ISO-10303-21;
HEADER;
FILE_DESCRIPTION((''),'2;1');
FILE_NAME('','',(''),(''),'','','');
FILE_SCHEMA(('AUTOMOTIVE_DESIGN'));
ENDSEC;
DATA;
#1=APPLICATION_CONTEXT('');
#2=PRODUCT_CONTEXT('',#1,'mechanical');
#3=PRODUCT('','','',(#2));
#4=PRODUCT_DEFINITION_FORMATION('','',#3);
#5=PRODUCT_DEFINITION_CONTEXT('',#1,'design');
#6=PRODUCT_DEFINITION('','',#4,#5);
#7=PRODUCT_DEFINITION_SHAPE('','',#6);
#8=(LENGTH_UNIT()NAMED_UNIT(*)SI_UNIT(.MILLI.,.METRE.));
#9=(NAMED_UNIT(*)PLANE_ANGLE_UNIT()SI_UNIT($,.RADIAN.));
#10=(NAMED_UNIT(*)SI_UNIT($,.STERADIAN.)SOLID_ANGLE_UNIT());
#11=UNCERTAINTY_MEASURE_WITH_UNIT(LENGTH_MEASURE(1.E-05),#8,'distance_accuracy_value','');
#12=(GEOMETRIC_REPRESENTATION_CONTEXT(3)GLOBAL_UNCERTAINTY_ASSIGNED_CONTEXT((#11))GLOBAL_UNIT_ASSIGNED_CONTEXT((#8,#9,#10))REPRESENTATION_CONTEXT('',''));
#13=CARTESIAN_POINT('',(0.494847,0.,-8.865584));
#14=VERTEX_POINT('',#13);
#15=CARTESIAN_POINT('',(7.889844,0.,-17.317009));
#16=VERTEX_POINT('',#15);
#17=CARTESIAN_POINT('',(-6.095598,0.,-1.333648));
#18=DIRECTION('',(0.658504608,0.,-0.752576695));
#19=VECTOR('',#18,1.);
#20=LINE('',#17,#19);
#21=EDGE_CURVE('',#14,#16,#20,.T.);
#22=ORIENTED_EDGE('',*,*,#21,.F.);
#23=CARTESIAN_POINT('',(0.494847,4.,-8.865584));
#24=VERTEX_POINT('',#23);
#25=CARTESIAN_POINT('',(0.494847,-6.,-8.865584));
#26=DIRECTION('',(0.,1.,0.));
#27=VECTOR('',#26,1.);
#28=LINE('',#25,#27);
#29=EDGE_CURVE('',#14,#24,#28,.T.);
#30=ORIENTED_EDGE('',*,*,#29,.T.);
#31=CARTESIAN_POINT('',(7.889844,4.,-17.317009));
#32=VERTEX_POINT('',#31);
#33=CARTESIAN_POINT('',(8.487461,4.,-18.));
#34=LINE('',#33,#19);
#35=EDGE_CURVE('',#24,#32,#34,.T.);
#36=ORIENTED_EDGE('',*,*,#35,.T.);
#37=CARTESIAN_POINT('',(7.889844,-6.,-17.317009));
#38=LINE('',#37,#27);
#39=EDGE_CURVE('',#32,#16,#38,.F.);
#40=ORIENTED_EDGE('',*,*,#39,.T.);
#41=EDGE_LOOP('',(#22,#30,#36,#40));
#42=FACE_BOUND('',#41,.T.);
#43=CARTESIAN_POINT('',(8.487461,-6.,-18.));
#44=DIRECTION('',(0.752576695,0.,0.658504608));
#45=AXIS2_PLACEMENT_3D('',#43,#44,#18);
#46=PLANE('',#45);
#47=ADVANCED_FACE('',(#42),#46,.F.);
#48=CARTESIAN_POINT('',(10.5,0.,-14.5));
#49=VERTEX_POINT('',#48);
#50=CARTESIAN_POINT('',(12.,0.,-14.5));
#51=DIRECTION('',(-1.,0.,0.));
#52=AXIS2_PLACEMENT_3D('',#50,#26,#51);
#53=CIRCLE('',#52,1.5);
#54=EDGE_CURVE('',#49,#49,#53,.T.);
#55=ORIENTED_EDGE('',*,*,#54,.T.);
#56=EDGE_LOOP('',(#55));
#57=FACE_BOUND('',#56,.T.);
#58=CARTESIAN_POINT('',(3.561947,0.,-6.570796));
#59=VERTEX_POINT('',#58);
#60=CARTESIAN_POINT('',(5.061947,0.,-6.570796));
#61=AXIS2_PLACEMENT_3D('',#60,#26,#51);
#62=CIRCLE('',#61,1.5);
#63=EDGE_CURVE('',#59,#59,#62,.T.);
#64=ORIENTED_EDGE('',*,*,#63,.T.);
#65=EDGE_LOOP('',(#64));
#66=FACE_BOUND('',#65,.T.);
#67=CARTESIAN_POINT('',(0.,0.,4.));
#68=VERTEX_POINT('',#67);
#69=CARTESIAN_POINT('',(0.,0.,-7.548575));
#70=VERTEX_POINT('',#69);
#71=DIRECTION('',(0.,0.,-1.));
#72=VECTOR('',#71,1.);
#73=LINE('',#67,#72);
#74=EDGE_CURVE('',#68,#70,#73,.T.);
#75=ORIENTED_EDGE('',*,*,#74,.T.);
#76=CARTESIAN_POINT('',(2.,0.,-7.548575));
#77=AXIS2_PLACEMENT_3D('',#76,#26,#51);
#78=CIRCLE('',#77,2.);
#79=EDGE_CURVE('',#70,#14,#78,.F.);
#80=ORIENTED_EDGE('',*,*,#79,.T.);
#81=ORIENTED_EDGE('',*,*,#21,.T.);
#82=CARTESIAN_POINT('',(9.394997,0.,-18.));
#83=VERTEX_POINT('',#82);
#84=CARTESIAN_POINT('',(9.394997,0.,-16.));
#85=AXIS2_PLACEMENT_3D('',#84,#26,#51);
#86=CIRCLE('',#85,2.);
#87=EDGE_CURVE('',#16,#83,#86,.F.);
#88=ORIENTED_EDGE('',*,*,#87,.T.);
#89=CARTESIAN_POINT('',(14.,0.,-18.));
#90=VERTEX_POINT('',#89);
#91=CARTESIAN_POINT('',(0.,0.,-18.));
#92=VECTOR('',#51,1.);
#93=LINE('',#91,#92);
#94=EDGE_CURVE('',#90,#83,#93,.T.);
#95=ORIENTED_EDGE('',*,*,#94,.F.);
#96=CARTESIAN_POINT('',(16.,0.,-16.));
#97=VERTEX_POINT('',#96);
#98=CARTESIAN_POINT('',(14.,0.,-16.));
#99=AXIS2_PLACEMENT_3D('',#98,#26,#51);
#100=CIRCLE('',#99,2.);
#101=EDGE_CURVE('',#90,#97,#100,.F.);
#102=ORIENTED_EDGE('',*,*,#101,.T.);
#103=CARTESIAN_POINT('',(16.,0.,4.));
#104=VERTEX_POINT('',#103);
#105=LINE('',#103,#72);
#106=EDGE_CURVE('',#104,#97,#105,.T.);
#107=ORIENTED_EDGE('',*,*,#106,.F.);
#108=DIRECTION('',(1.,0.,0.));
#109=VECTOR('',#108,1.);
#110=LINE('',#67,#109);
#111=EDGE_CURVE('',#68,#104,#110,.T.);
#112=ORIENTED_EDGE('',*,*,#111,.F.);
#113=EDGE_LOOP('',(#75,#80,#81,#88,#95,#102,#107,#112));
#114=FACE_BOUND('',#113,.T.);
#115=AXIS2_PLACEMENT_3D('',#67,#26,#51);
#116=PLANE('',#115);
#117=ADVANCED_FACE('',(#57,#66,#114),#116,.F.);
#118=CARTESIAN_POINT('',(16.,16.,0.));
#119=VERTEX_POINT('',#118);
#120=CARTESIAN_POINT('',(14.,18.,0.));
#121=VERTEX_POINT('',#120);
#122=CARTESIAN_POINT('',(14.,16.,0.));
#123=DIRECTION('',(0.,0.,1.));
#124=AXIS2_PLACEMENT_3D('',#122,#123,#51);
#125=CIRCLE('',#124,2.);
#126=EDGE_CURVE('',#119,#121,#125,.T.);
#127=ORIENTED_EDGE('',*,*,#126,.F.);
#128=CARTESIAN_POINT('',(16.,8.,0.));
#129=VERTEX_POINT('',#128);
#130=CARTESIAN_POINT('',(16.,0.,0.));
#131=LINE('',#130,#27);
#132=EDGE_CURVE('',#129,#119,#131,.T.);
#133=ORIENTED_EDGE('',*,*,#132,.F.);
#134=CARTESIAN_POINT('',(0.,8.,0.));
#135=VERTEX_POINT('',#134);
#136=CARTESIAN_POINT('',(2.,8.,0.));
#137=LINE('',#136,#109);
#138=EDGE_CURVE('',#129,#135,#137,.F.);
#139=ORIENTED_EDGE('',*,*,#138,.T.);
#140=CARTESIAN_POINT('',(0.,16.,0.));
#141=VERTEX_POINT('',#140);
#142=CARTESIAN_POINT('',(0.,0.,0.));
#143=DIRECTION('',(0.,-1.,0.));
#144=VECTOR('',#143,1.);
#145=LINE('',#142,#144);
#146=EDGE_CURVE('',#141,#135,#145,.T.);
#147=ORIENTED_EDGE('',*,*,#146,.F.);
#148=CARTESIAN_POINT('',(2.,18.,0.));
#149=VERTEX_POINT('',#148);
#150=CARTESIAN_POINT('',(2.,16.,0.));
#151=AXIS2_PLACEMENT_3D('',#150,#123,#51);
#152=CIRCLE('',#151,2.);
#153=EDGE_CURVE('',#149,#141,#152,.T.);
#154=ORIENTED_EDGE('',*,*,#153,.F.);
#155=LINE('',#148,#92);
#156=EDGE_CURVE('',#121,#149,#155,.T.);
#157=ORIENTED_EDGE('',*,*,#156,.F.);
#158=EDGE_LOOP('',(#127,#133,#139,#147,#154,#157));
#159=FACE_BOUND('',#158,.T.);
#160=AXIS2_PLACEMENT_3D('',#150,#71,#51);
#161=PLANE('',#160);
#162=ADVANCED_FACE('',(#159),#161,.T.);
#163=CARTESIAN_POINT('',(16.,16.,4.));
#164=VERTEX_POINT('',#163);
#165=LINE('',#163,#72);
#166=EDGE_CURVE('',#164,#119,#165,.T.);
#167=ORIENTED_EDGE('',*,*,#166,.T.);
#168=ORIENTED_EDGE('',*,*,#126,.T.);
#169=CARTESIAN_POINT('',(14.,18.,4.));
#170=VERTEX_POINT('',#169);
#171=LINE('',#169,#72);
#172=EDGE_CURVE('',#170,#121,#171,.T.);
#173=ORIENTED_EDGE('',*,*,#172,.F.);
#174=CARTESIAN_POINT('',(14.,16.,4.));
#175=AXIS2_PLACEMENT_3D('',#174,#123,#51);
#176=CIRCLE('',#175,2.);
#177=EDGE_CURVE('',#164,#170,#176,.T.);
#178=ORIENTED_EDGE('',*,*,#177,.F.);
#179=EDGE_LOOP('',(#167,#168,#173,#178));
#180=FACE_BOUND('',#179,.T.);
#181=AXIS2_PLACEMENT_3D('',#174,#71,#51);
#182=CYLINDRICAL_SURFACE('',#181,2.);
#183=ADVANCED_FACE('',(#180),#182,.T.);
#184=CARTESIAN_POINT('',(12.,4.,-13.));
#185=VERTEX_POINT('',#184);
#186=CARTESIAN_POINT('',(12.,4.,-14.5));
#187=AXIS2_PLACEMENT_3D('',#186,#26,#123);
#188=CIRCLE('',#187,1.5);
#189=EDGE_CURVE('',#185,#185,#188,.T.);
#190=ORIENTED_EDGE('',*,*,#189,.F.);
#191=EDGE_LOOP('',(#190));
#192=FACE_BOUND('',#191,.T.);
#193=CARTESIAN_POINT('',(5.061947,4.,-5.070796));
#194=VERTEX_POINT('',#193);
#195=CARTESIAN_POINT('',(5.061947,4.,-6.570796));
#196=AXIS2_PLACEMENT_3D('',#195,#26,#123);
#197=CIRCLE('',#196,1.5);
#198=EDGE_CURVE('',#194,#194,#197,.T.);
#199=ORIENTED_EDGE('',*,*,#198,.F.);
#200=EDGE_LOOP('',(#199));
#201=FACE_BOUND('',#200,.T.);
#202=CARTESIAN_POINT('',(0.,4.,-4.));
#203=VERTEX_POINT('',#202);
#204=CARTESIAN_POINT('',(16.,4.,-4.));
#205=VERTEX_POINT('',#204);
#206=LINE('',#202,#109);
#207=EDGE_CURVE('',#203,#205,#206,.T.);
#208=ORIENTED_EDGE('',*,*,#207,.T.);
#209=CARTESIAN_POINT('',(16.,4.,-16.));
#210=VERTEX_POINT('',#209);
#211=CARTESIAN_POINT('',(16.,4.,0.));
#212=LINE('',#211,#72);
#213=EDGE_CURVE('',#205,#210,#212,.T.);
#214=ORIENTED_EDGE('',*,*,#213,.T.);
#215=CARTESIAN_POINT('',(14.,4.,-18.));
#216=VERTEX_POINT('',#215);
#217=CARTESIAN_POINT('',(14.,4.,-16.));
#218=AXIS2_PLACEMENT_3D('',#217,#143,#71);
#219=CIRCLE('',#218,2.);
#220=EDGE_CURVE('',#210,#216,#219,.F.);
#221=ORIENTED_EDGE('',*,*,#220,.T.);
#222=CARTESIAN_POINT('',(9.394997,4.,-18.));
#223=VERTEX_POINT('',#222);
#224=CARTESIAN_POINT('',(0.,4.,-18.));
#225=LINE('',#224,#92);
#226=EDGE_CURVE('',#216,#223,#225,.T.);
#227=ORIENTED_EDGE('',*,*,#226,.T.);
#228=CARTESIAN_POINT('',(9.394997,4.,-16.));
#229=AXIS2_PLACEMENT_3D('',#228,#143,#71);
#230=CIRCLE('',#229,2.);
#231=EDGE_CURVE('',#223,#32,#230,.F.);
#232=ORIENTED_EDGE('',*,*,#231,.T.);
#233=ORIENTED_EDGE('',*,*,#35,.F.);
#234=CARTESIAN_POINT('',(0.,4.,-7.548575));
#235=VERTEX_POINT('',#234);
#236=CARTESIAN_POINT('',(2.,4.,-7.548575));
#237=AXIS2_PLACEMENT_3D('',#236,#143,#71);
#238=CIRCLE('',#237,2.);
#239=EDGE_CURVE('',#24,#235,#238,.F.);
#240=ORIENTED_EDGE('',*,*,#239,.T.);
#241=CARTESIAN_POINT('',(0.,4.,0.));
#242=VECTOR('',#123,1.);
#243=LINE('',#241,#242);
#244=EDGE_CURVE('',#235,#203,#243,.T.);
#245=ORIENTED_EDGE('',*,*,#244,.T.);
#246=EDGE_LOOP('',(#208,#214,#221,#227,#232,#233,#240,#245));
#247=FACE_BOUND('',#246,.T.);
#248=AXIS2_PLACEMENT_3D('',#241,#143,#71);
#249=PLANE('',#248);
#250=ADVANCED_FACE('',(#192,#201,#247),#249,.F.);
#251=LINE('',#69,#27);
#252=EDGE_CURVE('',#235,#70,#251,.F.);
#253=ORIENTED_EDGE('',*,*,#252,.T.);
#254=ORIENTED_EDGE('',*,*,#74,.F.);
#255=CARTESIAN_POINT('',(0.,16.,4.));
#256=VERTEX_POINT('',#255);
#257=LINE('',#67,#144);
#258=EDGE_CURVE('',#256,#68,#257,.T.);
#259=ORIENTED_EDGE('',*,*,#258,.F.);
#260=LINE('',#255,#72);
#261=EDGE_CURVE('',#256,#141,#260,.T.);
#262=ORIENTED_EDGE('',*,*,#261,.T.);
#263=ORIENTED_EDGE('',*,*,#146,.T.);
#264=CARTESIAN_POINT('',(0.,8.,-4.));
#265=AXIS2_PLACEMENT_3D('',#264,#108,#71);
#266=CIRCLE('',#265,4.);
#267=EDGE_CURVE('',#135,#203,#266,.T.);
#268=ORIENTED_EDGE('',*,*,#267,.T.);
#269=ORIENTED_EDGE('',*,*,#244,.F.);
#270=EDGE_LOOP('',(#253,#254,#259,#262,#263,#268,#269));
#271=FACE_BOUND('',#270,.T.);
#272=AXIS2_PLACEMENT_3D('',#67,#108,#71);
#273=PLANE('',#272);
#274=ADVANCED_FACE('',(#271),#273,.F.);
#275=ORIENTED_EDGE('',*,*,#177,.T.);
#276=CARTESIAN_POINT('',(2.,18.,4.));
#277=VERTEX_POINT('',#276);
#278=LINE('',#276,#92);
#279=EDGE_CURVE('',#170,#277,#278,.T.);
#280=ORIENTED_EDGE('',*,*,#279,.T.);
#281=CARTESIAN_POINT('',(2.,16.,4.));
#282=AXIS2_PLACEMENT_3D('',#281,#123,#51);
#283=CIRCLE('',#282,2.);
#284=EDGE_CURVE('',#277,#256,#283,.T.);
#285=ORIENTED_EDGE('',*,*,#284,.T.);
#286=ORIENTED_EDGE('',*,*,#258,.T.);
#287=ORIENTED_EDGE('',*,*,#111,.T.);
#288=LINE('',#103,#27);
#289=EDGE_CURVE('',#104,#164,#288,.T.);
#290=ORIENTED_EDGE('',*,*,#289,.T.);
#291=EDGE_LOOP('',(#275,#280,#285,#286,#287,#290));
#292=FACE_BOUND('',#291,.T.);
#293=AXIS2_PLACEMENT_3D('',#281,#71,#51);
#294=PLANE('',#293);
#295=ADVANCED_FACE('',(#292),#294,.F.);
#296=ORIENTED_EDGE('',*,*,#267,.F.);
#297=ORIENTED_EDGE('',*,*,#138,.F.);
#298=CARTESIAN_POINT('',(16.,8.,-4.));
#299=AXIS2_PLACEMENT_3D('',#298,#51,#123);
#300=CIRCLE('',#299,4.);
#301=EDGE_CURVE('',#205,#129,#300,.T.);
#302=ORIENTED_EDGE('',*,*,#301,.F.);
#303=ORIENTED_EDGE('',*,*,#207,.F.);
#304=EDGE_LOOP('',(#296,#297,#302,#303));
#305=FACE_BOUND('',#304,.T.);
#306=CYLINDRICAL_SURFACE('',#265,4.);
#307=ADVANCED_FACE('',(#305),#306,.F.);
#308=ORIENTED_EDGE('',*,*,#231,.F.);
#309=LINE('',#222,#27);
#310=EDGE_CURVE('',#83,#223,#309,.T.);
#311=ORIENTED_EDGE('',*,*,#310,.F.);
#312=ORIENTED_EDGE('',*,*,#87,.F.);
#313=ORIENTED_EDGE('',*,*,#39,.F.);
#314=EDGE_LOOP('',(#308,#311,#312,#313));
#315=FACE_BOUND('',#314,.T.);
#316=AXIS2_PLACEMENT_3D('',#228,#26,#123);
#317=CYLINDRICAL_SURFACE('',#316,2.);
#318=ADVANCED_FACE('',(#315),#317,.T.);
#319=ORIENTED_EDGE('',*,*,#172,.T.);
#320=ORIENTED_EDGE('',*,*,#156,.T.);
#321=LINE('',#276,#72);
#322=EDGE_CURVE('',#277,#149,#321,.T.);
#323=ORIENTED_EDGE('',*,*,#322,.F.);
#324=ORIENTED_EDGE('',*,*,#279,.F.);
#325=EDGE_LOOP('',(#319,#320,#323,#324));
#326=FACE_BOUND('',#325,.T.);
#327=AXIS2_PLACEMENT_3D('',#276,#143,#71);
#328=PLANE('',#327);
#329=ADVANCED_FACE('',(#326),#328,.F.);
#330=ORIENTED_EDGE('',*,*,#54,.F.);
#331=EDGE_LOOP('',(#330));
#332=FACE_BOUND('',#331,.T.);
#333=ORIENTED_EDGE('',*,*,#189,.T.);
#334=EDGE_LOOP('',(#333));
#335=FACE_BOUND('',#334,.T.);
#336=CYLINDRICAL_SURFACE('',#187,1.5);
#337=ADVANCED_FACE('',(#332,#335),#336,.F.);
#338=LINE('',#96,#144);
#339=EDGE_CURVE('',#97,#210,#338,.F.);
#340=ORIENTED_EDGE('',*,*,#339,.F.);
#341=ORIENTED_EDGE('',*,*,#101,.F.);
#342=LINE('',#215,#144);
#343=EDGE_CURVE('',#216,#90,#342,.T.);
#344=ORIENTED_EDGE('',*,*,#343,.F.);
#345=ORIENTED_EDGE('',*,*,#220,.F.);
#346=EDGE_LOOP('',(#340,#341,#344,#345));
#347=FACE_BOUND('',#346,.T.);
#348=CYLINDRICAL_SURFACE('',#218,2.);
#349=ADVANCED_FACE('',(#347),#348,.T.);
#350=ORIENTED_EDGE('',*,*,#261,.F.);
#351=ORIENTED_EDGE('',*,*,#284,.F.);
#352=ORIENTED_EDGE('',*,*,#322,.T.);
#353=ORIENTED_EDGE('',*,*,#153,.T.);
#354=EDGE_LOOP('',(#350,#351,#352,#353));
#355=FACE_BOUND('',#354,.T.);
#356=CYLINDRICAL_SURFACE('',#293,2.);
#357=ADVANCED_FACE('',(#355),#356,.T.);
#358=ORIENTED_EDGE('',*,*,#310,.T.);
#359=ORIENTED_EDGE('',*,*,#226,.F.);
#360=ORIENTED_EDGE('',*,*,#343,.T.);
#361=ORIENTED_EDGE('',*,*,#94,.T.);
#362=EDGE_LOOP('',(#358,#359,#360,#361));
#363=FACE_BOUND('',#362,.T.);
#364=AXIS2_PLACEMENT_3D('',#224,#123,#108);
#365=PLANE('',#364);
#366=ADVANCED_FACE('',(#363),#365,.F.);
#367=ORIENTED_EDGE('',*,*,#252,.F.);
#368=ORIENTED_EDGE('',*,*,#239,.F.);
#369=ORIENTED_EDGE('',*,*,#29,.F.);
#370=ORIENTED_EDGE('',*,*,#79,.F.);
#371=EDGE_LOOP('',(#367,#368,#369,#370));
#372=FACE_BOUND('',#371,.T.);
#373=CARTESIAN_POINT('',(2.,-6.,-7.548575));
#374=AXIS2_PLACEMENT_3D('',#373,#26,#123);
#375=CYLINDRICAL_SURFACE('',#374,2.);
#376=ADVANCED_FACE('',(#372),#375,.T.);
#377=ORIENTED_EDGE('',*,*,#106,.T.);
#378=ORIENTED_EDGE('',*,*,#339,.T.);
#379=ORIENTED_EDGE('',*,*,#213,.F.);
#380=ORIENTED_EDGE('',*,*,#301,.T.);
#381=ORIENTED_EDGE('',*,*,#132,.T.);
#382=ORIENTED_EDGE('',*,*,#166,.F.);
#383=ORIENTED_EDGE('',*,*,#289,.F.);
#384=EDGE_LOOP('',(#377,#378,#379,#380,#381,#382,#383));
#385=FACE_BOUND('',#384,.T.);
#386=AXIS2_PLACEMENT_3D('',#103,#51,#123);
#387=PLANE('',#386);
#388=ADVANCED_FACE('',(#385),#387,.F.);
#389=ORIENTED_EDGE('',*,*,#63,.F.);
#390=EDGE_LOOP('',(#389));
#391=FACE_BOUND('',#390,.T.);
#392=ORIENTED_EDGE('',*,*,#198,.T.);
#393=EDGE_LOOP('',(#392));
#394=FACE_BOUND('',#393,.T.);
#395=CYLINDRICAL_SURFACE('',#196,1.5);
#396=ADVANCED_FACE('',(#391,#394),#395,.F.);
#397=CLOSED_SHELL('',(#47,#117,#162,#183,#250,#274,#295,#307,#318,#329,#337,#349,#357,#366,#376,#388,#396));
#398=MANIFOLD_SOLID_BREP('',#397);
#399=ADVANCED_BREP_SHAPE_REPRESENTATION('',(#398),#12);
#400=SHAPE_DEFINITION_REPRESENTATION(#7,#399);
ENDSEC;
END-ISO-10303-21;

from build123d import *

# Parameters (mm, degrees)
BOSS_EXTRUDE1_DEPTH          = 4
SKETCH2_W                    = 16
SKETCH2_H                    = 18
BOSS_EXTRUDE2_DEPTH          = 4
FILLET1_R                    = 4
F_3_0_3_DIAMETER_HOLE1_D     = 3
F_3_0_3_DIAMETER_HOLE1_DEPTH = 30
F_3_0_3_DIAMETER_HOLE1_TIP   = 0.901290929
CUT_EXTRUDE1_DEPTH           = 10
FILLET2_R                    = 2


with BuildPart() as part:
    # Sketch1 → Boss-Extrude1 (new body)
    with BuildSketch(Plane.XY):
        with BuildLine():
            Line((0, 0), (0, 16))
            ThreePointArc((0, 16), (0.585786438, 17.414213562), (2, 18))
            Line((2, 18), (14, 18))
            ThreePointArc((14, 18), (15.414213562, 17.414213562), (16, 16))
            Line((16, 16), (16, 0))
            Line((16, 0), (0, 0))
        make_face()
    extrude(amount=BOSS_EXTRUDE1_DEPTH)

    # Sketch2 → Boss-Extrude2 (add)
    with BuildSketch(Plane(origin=(0, 0, 0), x_dir=(1, 0, 0), z_dir=(0, 1, 0))):
        with Locations((8, 9)):
            Rectangle(SKETCH2_W, SKETCH2_H)
    extrude(amount=BOSS_EXTRUDE2_DEPTH)

    # Fillet1
    fillet1_edges = [part.edges().sort_by_distance(p)[0] for p in [
        (8, 4, 0),
    ]]
    fillet(fillet1_edges, radius=FILLET1_R)

    # Ø3.0 (3) Diameter Hole1
    with Locations(Plane(origin=(939.624698197, 4, -711.338031018), x_dir=(-0.041819335, 0, -0.999125189), z_dir=(0, 1, 0))):
        with Locations((-665.06790374, 963.218082486), (-657.435781521, 955.954504856)):
            Hole(F_3_0_3_DIAMETER_HOLE1_D / 2, depth=F_3_0_3_DIAMETER_HOLE1_DEPTH)
            with Locations((0, 0, -(F_3_0_3_DIAMETER_HOLE1_DEPTH + F_3_0_3_DIAMETER_HOLE1_TIP / 2))):  # 118° drill point
                Cone(0, F_3_0_3_DIAMETER_HOLE1_D / 2, F_3_0_3_DIAMETER_HOLE1_TIP, mode=Mode.SUBTRACT)

    # Sketch6 → Cut-Extrude1 (cut)
    with BuildSketch(Plane(origin=(0, 4, 0), x_dir=(1, 0, 0), z_dir=(0, 1, 0))):
        Polygon((8.487460621, 18), (0, 8.300045005), (0, 18), align=None)
    extrude(amount=-CUT_EXTRUDE1_DEPTH, mode=Mode.SUBTRACT)

    # Fillet2
    fillet2_edges = [part.edges().sort_by_distance(p)[0] for p in [
        (16, 2, -18),
        (0, 2, -8.300045005),
        (8.487460621, 2, -18),
    ]]
    fillet(fillet2_edges, radius=FILLET2_R)


solid = part.part
